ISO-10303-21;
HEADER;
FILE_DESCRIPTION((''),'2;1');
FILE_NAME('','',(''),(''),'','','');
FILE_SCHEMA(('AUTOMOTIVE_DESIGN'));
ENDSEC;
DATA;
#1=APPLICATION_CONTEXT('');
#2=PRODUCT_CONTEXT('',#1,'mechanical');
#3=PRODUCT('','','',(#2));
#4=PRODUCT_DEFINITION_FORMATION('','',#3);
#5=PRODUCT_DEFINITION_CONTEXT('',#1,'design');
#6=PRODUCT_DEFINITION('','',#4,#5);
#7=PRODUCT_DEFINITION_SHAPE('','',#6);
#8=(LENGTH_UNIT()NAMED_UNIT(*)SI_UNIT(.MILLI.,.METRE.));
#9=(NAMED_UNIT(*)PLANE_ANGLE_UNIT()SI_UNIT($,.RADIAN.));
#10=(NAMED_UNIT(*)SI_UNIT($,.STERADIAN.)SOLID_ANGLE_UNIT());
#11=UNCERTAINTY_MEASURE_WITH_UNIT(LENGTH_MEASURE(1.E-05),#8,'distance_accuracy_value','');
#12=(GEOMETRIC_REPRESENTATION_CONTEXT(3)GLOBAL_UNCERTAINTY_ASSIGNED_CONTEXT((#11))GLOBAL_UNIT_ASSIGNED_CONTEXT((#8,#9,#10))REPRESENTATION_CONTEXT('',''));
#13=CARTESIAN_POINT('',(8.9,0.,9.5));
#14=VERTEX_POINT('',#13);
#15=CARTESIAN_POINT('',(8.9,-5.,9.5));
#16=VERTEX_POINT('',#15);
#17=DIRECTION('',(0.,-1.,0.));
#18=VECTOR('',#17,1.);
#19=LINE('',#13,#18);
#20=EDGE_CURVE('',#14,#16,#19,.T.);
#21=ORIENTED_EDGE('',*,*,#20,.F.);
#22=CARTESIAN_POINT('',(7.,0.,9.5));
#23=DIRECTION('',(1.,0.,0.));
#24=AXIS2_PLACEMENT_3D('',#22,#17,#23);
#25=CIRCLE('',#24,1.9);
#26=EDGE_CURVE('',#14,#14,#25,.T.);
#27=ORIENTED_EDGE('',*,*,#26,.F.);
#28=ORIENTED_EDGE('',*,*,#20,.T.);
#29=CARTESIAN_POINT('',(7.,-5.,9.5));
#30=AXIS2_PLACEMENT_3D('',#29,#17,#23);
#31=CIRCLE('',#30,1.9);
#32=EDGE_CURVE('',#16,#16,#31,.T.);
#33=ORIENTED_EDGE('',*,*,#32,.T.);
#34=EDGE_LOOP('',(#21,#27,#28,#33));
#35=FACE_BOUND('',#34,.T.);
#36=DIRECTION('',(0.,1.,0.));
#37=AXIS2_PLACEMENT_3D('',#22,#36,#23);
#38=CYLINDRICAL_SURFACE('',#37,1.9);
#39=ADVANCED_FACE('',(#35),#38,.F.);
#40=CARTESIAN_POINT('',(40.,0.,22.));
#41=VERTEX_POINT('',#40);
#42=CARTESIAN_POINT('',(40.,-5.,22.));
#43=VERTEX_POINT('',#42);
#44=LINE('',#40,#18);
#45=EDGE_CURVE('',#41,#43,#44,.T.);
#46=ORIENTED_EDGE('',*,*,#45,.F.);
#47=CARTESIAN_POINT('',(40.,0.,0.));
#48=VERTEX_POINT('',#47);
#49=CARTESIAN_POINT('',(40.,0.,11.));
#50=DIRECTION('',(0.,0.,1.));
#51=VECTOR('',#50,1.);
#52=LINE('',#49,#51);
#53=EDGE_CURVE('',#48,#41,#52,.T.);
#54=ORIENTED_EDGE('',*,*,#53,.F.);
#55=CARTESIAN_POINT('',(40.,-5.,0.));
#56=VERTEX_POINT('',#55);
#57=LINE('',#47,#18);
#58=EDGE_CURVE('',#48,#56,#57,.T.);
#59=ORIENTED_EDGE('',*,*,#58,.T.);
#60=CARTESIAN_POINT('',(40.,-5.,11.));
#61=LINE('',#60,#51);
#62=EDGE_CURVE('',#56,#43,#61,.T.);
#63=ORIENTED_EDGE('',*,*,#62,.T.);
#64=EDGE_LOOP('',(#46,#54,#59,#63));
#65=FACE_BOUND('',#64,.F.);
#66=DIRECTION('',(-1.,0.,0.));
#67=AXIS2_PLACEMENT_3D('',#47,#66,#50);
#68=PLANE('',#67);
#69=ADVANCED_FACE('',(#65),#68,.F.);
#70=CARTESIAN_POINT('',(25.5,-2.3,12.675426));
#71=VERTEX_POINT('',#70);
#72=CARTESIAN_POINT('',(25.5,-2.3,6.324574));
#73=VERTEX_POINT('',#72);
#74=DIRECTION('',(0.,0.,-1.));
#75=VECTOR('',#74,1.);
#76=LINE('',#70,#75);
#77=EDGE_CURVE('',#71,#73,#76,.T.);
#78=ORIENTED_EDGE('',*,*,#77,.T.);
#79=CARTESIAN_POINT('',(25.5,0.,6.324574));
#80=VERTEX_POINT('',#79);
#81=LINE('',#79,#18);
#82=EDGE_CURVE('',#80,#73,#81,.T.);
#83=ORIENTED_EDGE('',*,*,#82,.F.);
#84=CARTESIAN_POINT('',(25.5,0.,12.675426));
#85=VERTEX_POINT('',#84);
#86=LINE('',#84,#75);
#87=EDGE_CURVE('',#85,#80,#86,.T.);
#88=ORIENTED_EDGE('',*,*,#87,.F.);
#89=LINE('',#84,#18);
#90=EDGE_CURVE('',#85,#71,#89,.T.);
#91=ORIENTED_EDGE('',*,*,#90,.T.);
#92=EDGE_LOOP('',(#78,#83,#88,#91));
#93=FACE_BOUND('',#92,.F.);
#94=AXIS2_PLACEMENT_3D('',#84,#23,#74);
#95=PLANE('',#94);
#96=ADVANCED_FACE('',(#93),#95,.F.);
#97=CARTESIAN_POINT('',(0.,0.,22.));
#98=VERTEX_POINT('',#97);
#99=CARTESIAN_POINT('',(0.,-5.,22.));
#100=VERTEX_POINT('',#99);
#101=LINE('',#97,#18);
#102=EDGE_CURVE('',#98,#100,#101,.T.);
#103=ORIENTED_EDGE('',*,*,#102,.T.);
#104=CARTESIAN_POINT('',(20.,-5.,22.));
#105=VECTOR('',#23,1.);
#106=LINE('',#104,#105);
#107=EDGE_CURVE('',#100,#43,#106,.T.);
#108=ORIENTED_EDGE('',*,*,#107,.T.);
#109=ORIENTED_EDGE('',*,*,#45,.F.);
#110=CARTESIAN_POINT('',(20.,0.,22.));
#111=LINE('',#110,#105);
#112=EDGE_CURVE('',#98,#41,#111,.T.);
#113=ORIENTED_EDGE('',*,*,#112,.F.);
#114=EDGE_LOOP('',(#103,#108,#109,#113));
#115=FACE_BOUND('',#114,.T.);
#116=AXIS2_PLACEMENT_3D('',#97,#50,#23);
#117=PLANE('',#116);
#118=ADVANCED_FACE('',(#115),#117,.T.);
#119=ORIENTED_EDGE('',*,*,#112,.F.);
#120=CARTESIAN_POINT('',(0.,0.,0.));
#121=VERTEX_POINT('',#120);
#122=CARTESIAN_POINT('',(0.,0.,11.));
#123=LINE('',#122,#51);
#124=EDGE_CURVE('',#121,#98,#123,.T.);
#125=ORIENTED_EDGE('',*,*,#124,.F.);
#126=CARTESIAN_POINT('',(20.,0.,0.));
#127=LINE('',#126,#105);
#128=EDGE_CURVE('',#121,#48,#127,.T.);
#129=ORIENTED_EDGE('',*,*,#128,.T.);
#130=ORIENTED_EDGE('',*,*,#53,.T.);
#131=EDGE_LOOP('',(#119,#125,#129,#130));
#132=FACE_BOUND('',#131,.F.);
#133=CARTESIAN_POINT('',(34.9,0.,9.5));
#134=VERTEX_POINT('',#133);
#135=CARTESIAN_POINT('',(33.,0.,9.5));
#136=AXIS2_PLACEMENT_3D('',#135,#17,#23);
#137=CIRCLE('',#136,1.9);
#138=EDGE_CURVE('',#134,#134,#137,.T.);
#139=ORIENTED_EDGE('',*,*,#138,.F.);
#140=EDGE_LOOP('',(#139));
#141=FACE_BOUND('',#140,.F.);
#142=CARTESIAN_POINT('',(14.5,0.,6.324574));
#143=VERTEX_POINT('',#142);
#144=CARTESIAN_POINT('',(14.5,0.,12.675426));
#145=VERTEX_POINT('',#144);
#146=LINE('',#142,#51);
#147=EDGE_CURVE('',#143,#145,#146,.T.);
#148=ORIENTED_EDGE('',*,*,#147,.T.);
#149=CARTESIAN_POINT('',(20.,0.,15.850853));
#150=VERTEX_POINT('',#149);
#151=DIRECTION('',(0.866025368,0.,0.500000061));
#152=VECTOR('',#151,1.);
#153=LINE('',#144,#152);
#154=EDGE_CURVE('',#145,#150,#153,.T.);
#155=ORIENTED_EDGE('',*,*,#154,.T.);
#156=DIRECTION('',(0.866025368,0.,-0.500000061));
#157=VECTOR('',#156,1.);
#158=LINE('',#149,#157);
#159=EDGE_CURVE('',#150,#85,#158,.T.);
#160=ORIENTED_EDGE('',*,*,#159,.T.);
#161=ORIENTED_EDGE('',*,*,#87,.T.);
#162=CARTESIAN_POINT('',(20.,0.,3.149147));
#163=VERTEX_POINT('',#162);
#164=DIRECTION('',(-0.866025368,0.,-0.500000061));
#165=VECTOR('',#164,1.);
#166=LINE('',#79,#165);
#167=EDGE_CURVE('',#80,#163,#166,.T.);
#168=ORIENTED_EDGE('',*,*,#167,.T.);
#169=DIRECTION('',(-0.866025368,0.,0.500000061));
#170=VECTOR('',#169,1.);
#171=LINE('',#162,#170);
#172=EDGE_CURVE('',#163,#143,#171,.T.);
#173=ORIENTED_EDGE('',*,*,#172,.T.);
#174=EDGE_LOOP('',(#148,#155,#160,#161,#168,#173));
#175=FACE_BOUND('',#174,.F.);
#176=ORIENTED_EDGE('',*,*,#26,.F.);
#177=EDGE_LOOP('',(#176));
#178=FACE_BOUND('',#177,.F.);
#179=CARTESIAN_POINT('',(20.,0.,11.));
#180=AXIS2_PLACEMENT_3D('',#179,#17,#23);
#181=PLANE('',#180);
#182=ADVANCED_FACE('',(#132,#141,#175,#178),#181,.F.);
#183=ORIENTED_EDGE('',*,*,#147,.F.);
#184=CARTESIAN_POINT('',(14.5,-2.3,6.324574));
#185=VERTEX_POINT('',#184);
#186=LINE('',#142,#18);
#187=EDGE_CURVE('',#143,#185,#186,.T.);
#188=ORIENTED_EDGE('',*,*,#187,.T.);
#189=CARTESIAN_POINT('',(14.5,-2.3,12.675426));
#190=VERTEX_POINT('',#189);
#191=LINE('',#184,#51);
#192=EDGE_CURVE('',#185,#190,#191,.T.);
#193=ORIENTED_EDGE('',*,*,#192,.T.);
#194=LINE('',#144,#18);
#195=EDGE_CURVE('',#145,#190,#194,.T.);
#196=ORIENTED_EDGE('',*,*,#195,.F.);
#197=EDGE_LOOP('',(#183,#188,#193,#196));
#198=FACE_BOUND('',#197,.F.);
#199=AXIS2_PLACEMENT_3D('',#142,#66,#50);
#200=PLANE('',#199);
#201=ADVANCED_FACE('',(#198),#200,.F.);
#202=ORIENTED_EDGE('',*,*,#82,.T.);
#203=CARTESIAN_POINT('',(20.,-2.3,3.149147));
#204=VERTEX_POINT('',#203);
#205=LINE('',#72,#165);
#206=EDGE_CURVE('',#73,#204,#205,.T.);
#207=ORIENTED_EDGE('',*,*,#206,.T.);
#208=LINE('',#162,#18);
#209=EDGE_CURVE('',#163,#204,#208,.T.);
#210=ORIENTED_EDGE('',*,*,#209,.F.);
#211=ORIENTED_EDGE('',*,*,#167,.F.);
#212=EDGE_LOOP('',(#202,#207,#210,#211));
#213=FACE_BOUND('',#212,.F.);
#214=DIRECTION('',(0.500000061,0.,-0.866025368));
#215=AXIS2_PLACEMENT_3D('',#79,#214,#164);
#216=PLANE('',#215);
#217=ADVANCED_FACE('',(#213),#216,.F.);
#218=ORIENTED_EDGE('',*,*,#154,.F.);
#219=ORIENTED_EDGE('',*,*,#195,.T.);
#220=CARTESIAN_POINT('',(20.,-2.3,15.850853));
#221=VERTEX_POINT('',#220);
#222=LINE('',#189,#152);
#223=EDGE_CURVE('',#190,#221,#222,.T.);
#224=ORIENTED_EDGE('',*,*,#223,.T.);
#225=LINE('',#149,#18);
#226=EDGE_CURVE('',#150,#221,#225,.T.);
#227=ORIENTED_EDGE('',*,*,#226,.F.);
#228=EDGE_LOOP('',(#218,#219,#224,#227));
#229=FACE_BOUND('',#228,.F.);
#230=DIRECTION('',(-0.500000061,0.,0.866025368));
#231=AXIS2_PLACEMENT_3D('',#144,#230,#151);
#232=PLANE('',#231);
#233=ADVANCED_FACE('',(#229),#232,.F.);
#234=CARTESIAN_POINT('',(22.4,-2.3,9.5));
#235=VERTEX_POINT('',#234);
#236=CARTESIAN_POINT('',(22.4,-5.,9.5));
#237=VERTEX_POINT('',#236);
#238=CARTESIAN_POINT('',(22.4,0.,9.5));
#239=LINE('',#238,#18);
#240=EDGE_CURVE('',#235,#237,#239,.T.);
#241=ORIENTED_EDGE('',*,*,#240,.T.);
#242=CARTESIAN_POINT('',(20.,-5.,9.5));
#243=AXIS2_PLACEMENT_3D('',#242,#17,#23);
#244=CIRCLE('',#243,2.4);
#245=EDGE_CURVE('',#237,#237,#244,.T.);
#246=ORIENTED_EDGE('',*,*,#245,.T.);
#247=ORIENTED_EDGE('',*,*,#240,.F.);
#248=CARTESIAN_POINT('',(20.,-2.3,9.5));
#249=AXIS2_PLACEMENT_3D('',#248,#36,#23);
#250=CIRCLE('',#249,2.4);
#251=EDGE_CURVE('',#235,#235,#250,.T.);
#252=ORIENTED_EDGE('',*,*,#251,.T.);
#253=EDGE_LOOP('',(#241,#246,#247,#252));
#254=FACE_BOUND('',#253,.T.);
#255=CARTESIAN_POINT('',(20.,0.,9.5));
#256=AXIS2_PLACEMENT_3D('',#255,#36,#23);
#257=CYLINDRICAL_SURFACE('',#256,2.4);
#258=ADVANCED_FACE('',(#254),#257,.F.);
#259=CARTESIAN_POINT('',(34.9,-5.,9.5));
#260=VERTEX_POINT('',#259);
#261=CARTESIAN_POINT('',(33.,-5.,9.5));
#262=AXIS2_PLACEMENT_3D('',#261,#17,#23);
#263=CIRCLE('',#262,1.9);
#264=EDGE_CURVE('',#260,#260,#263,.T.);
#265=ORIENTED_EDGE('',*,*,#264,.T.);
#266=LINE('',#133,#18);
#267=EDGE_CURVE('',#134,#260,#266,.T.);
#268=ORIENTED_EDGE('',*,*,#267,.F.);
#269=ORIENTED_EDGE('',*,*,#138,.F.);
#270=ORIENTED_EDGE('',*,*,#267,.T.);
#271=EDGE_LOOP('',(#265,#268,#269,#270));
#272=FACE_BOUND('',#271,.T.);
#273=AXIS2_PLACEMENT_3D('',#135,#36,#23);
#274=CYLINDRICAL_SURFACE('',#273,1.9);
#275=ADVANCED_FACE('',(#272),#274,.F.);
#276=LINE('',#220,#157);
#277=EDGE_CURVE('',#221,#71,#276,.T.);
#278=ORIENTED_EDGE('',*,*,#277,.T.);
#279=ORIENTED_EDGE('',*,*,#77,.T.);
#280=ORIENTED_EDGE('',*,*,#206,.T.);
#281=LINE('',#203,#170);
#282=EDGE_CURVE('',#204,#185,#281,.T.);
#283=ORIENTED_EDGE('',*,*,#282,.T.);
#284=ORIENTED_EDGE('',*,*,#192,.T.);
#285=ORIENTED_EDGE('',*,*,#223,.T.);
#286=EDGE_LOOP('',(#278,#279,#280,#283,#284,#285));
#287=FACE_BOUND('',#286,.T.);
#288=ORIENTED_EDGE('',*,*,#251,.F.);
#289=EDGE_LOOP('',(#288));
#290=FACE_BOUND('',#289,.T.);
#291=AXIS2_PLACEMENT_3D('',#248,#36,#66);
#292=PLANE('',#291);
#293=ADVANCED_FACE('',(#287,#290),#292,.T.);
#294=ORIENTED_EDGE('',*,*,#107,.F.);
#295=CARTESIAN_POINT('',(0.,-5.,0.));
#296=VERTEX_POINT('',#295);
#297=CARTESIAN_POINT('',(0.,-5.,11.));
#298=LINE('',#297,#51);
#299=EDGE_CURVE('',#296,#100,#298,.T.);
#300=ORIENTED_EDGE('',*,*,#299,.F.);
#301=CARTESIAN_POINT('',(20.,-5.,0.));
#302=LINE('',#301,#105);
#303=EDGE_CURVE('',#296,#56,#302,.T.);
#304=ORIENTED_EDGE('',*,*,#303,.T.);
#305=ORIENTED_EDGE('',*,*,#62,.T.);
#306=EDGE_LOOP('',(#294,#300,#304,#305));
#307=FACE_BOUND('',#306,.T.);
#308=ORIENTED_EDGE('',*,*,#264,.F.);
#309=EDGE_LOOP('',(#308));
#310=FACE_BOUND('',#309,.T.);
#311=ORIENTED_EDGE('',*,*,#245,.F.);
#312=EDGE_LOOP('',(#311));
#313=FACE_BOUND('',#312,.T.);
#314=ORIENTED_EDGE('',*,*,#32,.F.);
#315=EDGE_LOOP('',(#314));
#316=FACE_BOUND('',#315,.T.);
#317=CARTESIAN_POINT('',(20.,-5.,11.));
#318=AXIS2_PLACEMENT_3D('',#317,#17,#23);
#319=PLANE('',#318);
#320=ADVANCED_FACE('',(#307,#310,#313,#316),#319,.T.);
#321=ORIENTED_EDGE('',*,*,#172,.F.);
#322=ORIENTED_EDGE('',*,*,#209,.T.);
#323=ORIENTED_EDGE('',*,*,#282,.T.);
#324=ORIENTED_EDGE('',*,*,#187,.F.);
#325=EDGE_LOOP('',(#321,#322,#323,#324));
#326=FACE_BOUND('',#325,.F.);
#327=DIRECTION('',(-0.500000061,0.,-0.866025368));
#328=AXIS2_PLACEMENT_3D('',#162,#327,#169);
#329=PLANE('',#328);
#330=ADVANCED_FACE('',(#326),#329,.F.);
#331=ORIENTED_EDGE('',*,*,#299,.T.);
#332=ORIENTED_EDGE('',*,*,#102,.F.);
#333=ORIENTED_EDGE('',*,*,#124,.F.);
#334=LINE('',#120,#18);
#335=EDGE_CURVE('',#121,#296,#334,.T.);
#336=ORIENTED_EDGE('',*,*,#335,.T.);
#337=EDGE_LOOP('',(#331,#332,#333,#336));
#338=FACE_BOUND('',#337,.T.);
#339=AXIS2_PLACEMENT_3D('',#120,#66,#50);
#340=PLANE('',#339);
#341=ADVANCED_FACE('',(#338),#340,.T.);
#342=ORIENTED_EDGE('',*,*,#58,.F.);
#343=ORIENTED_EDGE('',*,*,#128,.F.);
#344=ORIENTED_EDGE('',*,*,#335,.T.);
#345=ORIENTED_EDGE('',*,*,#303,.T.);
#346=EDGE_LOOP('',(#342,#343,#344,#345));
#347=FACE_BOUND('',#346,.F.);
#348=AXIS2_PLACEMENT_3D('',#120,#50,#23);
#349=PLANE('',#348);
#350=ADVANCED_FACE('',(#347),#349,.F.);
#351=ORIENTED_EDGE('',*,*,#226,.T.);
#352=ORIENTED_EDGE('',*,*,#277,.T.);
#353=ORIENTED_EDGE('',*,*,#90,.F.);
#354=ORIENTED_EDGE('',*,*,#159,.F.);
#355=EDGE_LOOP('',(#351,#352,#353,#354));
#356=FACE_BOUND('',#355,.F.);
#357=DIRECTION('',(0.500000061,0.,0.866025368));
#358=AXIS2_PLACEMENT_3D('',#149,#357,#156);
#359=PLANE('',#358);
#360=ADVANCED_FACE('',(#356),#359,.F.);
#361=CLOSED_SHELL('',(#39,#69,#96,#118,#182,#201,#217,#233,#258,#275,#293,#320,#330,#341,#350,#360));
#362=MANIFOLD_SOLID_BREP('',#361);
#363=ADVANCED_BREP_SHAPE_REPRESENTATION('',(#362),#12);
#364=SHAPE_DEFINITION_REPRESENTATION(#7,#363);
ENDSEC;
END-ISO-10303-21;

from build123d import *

# Parameters (mm, degrees)
F0_W     = 40
F0_H     = 22
F0_R     = 1.9
F0_R_2   = 2.4
F1_DEPTH = 5
F3_DEPTH = 2.3


with BuildPart() as f1:
    # F0 (on Front) → F1 (new body)
    with BuildSketch(Plane.XZ):
        with Locations((20, 11)):
            Rectangle(F0_W, F0_H)
        with Locations((7, 9.5)):
            Circle(F0_R, mode=Mode.SUBTRACT)
        with Locations((20, 9.5)):
            Circle(F0_R_2, mode=Mode.SUBTRACT)
        with Locations((33, 9.5)):
            Circle(F0_R, mode=Mode.SUBTRACT)
    extrude(amount=F1_DEPTH)

    # F2 (on face) → F3 (cut)
    with BuildSketch(Plane(origin=(0, 0, 0), x_dir=(-1, 0, 0), z_dir=(0, 1, 0))):
        Polygon((-14.5, 6.324574), (-14.5, 12.675426), (-20, 15.850853), (-25.5, 12.675426), (-25.5, 6.324574), (-20, 3.149147), align=None)
    extrude(amount=-F3_DEPTH, mode=Mode.SUBTRACT)


solid = f1.part
